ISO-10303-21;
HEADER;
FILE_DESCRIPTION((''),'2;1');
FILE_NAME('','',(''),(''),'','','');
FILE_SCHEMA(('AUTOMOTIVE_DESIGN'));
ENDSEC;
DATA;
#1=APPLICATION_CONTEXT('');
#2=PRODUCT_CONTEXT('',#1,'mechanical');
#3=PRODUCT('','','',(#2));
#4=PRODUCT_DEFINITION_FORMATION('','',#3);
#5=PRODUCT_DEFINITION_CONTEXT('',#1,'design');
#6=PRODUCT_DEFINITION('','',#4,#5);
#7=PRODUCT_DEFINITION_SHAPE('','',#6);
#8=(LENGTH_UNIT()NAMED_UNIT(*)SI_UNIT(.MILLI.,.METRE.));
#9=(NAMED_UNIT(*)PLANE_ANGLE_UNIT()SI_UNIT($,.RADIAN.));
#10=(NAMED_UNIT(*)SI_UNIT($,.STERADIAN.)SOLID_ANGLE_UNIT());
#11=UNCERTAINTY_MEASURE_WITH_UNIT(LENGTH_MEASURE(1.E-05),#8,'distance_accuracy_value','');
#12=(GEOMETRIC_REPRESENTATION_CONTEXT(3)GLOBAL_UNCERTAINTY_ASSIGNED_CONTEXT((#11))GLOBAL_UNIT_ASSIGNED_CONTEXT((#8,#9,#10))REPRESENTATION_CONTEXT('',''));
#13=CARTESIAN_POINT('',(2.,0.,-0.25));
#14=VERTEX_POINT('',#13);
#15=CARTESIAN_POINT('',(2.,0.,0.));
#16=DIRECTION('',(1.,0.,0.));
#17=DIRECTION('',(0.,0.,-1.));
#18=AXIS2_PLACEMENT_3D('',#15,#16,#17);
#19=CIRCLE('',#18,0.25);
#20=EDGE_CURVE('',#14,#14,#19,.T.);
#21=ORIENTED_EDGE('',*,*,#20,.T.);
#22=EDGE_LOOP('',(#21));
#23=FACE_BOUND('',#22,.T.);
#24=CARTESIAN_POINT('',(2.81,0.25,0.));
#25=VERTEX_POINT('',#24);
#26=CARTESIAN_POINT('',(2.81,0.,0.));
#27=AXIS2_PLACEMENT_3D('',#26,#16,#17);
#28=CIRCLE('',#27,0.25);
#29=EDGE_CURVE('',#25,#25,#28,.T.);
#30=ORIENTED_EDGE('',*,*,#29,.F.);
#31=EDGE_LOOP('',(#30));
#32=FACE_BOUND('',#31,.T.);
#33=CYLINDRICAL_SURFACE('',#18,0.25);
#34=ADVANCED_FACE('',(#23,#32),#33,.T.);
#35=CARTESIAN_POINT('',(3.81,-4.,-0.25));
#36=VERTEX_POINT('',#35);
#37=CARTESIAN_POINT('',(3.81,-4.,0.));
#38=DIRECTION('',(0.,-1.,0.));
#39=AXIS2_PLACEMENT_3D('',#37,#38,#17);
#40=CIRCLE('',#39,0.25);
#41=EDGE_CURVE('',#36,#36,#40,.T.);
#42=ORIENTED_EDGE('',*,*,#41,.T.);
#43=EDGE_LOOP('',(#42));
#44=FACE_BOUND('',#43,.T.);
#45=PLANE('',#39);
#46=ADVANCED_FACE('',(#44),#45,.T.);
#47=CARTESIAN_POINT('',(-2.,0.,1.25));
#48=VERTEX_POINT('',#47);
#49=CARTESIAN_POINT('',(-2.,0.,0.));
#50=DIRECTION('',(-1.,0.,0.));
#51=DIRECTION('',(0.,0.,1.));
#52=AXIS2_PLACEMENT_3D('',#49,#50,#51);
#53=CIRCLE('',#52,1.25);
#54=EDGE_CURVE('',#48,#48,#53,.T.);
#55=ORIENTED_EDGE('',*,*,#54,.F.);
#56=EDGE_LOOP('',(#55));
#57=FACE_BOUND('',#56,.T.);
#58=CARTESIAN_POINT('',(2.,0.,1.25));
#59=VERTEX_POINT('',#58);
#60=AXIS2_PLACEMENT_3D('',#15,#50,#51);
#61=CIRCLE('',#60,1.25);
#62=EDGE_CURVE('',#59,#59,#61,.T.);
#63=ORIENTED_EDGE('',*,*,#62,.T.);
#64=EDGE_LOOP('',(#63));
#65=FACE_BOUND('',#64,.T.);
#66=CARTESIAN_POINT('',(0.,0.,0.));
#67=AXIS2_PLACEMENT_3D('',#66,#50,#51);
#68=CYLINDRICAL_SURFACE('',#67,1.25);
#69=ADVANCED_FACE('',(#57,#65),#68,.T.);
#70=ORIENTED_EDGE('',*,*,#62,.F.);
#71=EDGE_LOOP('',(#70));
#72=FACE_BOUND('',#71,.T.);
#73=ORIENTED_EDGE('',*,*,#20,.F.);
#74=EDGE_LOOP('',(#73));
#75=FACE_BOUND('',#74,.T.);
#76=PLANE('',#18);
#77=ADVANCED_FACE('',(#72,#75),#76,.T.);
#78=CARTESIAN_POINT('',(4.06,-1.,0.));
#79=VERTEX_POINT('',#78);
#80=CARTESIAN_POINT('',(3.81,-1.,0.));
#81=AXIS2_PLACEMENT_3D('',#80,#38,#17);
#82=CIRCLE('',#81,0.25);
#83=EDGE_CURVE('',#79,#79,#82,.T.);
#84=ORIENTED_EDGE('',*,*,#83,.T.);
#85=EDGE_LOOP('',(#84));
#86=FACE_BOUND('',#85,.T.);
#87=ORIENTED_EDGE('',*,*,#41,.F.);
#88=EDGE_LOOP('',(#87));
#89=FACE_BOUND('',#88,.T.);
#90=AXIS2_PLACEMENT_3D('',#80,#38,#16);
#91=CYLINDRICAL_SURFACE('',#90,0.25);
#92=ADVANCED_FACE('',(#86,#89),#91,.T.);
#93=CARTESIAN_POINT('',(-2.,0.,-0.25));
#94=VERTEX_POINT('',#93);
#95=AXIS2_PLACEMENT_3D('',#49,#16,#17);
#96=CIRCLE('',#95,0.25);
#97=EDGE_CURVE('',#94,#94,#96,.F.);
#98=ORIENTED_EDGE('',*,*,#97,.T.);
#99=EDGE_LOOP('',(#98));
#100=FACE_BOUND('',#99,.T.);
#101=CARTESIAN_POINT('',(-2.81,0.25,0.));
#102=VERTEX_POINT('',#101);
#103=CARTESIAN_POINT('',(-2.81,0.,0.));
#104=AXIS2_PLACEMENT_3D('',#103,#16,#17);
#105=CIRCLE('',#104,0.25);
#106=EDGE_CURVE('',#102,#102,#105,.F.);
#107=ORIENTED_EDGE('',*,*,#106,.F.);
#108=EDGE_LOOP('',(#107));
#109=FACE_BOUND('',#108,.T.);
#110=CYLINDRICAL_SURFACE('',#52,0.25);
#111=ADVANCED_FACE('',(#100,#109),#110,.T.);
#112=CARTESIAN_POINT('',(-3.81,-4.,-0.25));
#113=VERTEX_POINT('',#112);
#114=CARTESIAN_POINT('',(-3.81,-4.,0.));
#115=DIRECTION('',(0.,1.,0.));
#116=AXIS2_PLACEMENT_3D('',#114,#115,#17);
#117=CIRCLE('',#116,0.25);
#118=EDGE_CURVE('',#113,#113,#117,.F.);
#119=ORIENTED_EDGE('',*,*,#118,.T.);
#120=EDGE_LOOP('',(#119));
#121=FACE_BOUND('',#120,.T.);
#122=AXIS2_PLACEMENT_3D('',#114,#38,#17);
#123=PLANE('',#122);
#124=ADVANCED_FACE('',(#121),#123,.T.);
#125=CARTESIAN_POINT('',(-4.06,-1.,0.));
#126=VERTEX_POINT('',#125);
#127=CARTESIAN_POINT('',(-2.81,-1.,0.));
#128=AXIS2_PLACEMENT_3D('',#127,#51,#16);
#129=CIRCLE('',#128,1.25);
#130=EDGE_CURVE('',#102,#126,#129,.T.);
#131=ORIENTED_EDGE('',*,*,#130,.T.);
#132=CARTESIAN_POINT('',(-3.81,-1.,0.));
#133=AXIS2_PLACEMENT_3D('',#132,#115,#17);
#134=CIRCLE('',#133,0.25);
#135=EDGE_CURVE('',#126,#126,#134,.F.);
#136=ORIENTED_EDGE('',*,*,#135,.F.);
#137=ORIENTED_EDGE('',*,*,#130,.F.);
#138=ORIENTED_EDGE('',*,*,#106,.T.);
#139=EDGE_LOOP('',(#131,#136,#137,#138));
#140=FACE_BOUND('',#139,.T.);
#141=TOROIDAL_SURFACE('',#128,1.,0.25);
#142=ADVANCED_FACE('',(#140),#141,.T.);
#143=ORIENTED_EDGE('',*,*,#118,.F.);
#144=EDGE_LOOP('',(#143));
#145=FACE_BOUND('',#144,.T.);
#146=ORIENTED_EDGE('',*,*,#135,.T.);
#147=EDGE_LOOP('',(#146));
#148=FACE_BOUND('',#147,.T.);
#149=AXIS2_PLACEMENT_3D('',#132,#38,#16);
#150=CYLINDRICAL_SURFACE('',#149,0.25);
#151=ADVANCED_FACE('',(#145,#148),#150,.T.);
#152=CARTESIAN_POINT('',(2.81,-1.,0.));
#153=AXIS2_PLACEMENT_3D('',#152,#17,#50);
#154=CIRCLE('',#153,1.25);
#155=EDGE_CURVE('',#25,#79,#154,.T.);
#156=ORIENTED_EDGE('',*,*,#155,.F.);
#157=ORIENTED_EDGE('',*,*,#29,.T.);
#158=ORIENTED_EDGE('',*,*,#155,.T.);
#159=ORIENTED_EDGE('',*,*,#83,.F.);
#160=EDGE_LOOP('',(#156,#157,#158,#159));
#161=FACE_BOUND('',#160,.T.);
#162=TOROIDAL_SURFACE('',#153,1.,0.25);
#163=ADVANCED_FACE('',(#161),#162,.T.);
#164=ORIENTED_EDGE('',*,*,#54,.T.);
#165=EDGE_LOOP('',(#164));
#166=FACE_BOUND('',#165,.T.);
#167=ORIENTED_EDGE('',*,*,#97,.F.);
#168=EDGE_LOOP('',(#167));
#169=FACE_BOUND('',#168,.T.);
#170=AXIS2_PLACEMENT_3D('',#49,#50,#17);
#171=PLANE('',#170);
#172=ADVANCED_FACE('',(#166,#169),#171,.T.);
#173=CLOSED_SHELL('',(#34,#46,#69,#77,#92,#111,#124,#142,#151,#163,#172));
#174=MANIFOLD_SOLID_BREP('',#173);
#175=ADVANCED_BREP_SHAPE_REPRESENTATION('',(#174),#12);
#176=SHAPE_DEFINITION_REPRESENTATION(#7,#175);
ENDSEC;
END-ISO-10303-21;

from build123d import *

# Parameters (mm, degrees)
SKETCH2_W = 2
SKETCH2_H = 1.25
SKETCH3_R = 0.25


with BuildPart() as part:
    # Sketch2 → Revolve1 (revolve)
    with BuildSketch(Plane.XY, mode=Mode.PRIVATE) as revolve1_sk:
        with Locations((1, -0.625)):
            Rectangle(SKETCH2_W, SKETCH2_H)
    revolve1 = revolve(revolve1_sk.sketch.rotate(Axis((0, 0, 0), (1, 0, 0)), 270), axis=Axis((0, 0, 0), (1, 0, 0)))

    # Sweep1: sweep along a path in Sketch1
    with BuildLine(Plane.XY) as sweep1_path:
        Line((2, 0), (2.81, 0))
        ThreePointArc((2.81, 0), (3.517106781, -0.292893219), (3.81, -1))
        Line((3.81, -1), (3.81, -4))
    # Sketch3 → Sweep1 (sweep)
    with BuildSketch(Plane(origin=(2, 0, 0), x_dir=(0, 0, -1), z_dir=(1, 0, 0))):
        Circle(SKETCH3_R)
    sweep1 = sweep(path=sweep1_path.line)

    # Mirror1: Revolve1, Sweep1 across plane
    add(revolve1.mirror(Plane.ZY))
    add(sweep1.mirror(Plane.ZY))


solid = part.part
